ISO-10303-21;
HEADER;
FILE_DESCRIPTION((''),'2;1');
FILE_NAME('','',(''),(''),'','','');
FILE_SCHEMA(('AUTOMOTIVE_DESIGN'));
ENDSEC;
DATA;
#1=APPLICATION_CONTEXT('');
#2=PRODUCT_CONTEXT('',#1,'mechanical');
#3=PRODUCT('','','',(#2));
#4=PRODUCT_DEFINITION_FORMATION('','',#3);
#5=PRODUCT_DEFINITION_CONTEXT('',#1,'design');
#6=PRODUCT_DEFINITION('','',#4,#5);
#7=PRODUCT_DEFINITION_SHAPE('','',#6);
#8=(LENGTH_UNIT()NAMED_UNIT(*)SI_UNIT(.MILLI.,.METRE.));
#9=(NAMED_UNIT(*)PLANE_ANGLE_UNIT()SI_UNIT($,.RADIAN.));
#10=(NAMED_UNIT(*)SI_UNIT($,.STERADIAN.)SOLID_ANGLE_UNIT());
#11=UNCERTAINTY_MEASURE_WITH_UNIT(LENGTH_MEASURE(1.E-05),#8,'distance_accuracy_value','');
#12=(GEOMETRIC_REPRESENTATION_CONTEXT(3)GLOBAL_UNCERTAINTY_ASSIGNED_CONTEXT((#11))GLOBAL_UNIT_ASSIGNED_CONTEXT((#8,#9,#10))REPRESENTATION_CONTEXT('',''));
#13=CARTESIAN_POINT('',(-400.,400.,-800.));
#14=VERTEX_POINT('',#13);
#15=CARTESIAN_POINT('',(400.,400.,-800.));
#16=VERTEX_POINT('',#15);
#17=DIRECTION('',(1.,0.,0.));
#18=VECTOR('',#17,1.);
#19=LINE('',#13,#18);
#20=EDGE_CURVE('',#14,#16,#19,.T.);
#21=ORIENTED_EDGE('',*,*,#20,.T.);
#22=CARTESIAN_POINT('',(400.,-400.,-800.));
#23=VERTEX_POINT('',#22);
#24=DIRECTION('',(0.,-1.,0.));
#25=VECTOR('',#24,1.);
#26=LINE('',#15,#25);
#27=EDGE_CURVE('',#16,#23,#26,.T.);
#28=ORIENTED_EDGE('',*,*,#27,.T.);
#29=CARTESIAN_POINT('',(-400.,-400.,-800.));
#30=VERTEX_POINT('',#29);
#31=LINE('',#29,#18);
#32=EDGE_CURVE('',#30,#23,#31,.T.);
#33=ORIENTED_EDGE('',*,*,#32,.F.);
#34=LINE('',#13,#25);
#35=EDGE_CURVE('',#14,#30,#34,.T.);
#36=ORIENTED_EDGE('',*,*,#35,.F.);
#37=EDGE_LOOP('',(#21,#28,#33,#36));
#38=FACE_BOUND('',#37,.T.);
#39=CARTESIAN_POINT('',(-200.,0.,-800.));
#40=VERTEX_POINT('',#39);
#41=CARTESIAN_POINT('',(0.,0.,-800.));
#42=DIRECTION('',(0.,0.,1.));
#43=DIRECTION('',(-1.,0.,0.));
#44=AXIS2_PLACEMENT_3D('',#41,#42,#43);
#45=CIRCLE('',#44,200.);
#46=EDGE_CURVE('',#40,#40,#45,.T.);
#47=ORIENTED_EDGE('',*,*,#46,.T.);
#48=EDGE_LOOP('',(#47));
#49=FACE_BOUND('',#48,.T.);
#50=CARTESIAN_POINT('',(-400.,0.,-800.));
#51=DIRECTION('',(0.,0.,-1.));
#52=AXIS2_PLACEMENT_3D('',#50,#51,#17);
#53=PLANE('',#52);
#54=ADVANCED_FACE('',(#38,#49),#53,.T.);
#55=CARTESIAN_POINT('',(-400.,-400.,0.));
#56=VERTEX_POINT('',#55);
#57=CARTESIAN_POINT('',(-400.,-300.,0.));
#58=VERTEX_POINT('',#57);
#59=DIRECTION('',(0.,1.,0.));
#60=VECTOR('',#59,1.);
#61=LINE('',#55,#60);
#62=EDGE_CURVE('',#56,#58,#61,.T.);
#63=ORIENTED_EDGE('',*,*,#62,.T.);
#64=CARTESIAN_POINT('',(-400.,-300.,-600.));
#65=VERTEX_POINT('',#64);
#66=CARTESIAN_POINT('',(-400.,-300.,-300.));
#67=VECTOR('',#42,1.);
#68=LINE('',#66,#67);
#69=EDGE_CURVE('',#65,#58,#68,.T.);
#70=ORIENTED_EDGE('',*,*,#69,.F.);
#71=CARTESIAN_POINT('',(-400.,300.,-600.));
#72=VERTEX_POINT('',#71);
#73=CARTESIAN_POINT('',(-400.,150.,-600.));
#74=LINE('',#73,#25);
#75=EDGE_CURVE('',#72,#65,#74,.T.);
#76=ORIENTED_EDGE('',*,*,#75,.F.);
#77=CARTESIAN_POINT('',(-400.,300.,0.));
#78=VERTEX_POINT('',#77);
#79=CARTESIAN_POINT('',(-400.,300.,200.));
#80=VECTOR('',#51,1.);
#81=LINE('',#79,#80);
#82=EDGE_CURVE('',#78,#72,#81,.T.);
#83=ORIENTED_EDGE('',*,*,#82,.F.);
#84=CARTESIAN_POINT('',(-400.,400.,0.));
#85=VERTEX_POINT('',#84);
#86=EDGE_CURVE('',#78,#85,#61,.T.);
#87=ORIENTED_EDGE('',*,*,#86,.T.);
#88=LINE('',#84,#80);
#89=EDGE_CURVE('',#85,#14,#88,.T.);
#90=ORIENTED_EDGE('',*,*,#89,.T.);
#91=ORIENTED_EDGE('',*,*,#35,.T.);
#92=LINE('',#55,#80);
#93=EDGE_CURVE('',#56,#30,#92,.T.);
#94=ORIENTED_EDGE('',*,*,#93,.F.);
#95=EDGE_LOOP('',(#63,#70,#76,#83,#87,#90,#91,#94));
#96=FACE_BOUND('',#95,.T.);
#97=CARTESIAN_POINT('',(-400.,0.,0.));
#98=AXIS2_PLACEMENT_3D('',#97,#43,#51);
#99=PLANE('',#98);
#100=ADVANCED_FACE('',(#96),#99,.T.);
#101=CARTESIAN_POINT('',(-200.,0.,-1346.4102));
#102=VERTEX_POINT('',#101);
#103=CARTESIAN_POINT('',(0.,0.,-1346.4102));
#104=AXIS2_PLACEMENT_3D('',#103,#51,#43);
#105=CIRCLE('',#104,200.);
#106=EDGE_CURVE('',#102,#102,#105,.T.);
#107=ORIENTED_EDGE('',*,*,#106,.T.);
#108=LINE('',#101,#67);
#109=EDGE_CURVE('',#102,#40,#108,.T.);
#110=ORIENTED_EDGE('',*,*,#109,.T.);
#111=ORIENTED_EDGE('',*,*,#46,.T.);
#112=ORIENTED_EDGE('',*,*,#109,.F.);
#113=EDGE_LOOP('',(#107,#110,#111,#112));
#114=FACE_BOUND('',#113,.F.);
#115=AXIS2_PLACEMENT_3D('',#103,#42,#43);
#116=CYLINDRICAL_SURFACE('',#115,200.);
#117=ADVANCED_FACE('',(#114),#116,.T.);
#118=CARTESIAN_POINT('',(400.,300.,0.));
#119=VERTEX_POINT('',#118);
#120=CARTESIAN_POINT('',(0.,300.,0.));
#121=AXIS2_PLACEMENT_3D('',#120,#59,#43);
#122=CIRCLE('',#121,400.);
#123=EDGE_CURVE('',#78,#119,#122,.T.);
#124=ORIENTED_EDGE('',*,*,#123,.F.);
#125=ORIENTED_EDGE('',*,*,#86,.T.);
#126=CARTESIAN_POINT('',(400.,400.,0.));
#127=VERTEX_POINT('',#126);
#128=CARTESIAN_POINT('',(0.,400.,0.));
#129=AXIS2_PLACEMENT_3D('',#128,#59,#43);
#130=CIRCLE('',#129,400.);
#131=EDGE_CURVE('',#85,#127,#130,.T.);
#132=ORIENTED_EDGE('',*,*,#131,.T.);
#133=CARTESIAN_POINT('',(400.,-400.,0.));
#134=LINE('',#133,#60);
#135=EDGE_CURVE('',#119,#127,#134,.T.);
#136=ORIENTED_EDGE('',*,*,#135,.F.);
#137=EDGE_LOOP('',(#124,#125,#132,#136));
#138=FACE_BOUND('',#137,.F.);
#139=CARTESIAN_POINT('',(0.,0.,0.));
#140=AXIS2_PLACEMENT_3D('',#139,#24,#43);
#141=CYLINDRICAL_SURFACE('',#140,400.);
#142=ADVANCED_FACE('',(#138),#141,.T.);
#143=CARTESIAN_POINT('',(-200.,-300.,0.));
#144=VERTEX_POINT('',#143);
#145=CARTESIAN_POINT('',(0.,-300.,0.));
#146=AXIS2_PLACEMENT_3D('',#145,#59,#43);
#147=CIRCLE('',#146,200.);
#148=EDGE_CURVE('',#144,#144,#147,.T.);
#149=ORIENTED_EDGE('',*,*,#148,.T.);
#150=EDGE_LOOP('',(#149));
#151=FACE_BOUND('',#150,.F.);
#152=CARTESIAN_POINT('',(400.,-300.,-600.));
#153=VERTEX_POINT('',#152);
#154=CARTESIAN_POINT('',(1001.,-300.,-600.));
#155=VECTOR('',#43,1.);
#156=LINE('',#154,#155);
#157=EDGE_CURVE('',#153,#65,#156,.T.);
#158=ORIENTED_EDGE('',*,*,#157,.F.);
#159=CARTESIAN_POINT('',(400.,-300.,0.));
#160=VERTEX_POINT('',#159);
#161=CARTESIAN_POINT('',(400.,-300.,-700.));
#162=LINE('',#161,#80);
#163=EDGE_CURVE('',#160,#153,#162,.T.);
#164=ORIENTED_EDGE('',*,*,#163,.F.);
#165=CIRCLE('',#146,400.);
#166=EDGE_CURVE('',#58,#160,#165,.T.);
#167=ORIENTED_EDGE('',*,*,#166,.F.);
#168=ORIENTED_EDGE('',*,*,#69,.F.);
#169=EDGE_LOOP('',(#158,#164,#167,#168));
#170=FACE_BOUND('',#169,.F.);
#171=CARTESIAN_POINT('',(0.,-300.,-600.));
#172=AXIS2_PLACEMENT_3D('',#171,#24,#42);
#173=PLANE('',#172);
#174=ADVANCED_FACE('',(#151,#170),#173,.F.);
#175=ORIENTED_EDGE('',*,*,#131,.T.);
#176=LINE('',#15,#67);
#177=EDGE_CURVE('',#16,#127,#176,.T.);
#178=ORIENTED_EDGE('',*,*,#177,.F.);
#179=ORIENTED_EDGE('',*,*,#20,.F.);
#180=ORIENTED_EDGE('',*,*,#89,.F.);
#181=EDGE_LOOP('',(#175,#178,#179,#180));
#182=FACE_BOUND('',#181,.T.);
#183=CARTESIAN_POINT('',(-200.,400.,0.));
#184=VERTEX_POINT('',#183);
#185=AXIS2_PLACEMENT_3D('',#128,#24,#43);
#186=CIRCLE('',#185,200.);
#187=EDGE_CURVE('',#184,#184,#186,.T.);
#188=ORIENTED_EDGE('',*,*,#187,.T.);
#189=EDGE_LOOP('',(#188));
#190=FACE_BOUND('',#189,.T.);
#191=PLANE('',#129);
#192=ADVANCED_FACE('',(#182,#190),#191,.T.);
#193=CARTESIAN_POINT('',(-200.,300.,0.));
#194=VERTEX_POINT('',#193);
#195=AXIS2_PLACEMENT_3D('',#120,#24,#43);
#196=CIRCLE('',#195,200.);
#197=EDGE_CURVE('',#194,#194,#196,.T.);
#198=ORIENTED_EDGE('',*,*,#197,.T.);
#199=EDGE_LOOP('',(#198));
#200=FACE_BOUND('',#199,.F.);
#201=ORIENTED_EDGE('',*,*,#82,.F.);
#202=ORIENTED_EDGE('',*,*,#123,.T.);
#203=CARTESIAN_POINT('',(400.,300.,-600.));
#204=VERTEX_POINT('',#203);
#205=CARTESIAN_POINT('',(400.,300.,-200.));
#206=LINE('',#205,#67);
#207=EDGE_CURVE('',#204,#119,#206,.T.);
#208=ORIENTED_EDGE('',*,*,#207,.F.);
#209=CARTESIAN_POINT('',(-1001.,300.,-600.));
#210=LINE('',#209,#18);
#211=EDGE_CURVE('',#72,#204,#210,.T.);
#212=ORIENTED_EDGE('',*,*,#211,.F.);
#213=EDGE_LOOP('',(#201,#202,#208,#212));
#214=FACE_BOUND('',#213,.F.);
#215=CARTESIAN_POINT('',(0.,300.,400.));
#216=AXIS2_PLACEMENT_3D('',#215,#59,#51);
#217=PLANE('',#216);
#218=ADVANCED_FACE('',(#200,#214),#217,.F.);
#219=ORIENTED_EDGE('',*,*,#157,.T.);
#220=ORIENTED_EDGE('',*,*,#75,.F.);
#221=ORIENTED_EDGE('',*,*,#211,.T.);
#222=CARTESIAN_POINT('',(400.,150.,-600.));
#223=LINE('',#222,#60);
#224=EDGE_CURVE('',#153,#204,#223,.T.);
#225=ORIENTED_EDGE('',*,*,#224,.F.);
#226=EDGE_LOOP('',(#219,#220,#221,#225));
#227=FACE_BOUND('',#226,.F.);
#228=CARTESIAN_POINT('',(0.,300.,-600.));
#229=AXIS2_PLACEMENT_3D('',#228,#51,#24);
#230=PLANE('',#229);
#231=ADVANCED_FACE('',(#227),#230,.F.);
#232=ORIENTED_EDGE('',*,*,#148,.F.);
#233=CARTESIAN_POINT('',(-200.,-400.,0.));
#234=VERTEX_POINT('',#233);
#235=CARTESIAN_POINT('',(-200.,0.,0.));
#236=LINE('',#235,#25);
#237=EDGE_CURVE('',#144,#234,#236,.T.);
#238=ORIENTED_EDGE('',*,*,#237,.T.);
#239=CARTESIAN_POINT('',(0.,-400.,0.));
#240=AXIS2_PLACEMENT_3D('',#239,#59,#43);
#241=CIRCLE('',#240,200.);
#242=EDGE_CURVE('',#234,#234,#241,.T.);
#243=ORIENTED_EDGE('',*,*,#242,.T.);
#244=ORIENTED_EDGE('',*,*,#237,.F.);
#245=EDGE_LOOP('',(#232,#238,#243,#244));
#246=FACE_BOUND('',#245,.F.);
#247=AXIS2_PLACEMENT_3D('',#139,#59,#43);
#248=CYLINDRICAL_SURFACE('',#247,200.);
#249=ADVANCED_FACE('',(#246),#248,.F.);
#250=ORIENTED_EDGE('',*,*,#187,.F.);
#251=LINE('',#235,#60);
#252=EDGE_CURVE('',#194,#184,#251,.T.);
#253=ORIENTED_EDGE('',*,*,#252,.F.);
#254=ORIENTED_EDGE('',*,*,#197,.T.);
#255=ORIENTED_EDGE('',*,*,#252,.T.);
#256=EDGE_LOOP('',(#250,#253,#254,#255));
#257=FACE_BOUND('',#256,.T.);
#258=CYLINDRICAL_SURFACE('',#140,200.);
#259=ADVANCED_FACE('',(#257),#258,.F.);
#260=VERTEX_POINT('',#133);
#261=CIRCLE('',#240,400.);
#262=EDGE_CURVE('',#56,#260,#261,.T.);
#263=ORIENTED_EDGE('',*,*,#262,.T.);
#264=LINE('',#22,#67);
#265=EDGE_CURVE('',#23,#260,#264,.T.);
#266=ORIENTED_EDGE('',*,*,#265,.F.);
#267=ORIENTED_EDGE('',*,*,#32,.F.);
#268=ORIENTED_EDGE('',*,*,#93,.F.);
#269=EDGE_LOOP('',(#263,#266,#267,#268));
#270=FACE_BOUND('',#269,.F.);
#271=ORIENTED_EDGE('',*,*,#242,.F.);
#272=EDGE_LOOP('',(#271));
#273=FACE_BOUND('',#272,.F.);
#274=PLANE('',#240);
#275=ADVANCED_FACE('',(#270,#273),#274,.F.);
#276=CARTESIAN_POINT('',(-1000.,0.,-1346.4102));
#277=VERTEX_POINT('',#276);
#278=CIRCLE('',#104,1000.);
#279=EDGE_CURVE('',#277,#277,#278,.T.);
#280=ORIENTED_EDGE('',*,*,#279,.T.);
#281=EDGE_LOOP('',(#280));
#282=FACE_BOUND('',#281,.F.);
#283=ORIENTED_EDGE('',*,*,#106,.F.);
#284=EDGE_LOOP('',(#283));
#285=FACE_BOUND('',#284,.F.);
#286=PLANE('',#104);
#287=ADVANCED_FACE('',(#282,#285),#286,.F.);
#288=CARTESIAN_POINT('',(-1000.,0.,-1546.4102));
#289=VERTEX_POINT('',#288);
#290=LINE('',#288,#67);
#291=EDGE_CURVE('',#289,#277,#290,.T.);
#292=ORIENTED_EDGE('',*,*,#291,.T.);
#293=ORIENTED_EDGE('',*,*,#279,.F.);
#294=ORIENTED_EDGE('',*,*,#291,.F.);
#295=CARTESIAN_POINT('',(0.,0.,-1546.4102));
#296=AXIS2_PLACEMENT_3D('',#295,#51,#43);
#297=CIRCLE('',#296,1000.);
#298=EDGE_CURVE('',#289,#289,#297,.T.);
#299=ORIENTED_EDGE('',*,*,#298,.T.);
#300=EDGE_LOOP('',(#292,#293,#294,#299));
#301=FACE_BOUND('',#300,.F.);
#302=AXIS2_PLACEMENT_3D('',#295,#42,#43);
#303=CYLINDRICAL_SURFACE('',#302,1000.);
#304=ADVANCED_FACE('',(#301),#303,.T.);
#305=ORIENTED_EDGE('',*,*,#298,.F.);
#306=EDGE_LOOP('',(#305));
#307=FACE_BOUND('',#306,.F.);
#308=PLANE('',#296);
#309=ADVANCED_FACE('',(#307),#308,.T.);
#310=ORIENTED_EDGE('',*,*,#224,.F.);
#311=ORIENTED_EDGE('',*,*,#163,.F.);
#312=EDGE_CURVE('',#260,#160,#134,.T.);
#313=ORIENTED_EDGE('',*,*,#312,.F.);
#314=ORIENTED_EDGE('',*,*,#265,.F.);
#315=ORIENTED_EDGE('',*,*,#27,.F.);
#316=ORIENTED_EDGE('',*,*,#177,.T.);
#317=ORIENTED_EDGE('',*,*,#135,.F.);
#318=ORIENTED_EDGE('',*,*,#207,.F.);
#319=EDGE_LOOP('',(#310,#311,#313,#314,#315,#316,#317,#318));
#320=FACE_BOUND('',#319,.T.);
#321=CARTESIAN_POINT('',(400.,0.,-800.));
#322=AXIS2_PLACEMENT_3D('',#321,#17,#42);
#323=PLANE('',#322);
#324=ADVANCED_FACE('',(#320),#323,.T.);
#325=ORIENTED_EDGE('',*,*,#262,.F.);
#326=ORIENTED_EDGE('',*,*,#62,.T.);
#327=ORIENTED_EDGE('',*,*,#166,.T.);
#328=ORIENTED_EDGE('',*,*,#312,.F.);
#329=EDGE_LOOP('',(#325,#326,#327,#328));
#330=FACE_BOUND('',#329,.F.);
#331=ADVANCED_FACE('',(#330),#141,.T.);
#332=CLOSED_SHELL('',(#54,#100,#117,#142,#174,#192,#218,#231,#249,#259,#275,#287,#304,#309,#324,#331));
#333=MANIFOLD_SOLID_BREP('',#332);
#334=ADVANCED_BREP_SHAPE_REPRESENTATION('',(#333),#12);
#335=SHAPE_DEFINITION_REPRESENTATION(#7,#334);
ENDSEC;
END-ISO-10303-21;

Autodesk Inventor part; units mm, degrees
ref_plane "YZ Plane" through (0, 0, 0) normal (1, 0, 0) x (0, 1, 0)
ref_plane "XZ Plane" through (0, 0, 0) normal (0, 1, 0) x (-1, 0, 0)
ref_plane "XY Plane" through (0, 0, 0) normal (0, 0, 1) x (1, 0, 0)
sketch "Sketch2" plane through (0, 0, 0) normal (0, 1, 0) x (-1, 0, 0)
  line L0 (0, 143.7774) -> (0, -346.4102) construction
  line L1 (190.8875, 0) -> (-168.3726, 0)
  arc A0 (200, -346.4102) -> (0, 400) centre (0, 0) ccw construction
  line L2 (0, 0) -> (0, -346.4102) construction
  line L3 (0, -1546.4102) -> (1000, -1546.4102)
  line L4 (1000, -1546.4102) -> (1000, -1346.4102)
  line L5 (1000, -1346.4102) -> (200, -1346.4102)
  line L6 (200, -1346.4102) -> (200, -346.4102)
  line L7 (0, 0) -> (0, 400) construction
  line L8 (200, -346.4102) -> (0, -346.4102)
  line L9 (0, -346.4102) -> (0, -95.5661) construction
  line L10 (0, -346.4102) -> (0, -1546.4102)
  dimension "d0" = 400
  dimension "ht" = 1000
  dimension "base_thick" = 200
  dimension "base_radius" = 1000
  dimension "d11" = 200
revolve "Revolution2" add sketch "Sketch2" angle 360 about axis through (0, 0, 143.7774) along (0, 0, -1)
sketch "Sketch3" plane through (0, 0, 0) normal (0, 1, 0) x (-1, 0, 0)
  line L0 (68.3369, 0) -> (-71.9882, 0)
  line L1 (0, 52.8788) -> (0, -69.4874)
  arc A0 (400, 0) -> (-400, 0) centre (0, 0) ccw
  line L2 (400, 0) -> (400, -800)
  line L3 (400, -800) -> (-400, -800)
  line L4 (-400, -800) -> (-400, 0)
  dimension "d26" = 400
  dimension "d27" = 800
extrude "Extrusion1" add sketch "Sketch3" along normal mid plane 800
sketch "Sketch4" plane through (0, 0, 0) normal (0, 1, 0) x (-1, 0, 0)
  circle A0 centre (0, 0) radius 200
  dimension "d30" = 200
extrude "Extrusion2" cut sketch "Sketch4" along normal through all both and the other way through all
sketch "Sketch5" plane through (0, 0, 0) normal (1, 0, 0) x (0, 1, 0)
  line L0 (300, -600) -> (-300, -600)
  line L1 (-300, -600) -> (-300, 400)
  line L2 (-300, 400) -> (300, 400)
  line L3 (300, 400) -> (300, -600)
  line L4 (0, -62.7821) -> (0, 60)
  line L5 (91.6333, 0) -> (-95.5004, 0)
  line L6 (0, -200) -> (0, 150) construction
  point P0 (0, 0)
  dimension "d35" = 300
  dimension "d36" = 400
  dimension "d39" = 600
extrude "Extrusion3" cut sketch "Sketch5" along normal through all both and the other way through all
equation "\"d0\" = S_radius"
equation "\"ht\" = 5 * rod_radius"
equation "\"base_thick\" = rod_radius"
equation "\"base_radius\" = 5 * rod_radius"
equation "\"d11\" = rod_radius"
equation "\"d26\" = S_radius"
equation "\"d27\" = 2 * S_radius"
equation "\"d28\" = 2 * S_radius"
equation "\"d30\" = rod_radius"
equation "\"d35\" = 1.5 * rod_radius"
equation "\"d36\" = S_radius"
equation "\"d39\" = 1.5 * S_radius"
equation "\"rod_radius\" = 200"
equation "\"S_radius\" = 2 * rod_radius"
properties part number "FP"
